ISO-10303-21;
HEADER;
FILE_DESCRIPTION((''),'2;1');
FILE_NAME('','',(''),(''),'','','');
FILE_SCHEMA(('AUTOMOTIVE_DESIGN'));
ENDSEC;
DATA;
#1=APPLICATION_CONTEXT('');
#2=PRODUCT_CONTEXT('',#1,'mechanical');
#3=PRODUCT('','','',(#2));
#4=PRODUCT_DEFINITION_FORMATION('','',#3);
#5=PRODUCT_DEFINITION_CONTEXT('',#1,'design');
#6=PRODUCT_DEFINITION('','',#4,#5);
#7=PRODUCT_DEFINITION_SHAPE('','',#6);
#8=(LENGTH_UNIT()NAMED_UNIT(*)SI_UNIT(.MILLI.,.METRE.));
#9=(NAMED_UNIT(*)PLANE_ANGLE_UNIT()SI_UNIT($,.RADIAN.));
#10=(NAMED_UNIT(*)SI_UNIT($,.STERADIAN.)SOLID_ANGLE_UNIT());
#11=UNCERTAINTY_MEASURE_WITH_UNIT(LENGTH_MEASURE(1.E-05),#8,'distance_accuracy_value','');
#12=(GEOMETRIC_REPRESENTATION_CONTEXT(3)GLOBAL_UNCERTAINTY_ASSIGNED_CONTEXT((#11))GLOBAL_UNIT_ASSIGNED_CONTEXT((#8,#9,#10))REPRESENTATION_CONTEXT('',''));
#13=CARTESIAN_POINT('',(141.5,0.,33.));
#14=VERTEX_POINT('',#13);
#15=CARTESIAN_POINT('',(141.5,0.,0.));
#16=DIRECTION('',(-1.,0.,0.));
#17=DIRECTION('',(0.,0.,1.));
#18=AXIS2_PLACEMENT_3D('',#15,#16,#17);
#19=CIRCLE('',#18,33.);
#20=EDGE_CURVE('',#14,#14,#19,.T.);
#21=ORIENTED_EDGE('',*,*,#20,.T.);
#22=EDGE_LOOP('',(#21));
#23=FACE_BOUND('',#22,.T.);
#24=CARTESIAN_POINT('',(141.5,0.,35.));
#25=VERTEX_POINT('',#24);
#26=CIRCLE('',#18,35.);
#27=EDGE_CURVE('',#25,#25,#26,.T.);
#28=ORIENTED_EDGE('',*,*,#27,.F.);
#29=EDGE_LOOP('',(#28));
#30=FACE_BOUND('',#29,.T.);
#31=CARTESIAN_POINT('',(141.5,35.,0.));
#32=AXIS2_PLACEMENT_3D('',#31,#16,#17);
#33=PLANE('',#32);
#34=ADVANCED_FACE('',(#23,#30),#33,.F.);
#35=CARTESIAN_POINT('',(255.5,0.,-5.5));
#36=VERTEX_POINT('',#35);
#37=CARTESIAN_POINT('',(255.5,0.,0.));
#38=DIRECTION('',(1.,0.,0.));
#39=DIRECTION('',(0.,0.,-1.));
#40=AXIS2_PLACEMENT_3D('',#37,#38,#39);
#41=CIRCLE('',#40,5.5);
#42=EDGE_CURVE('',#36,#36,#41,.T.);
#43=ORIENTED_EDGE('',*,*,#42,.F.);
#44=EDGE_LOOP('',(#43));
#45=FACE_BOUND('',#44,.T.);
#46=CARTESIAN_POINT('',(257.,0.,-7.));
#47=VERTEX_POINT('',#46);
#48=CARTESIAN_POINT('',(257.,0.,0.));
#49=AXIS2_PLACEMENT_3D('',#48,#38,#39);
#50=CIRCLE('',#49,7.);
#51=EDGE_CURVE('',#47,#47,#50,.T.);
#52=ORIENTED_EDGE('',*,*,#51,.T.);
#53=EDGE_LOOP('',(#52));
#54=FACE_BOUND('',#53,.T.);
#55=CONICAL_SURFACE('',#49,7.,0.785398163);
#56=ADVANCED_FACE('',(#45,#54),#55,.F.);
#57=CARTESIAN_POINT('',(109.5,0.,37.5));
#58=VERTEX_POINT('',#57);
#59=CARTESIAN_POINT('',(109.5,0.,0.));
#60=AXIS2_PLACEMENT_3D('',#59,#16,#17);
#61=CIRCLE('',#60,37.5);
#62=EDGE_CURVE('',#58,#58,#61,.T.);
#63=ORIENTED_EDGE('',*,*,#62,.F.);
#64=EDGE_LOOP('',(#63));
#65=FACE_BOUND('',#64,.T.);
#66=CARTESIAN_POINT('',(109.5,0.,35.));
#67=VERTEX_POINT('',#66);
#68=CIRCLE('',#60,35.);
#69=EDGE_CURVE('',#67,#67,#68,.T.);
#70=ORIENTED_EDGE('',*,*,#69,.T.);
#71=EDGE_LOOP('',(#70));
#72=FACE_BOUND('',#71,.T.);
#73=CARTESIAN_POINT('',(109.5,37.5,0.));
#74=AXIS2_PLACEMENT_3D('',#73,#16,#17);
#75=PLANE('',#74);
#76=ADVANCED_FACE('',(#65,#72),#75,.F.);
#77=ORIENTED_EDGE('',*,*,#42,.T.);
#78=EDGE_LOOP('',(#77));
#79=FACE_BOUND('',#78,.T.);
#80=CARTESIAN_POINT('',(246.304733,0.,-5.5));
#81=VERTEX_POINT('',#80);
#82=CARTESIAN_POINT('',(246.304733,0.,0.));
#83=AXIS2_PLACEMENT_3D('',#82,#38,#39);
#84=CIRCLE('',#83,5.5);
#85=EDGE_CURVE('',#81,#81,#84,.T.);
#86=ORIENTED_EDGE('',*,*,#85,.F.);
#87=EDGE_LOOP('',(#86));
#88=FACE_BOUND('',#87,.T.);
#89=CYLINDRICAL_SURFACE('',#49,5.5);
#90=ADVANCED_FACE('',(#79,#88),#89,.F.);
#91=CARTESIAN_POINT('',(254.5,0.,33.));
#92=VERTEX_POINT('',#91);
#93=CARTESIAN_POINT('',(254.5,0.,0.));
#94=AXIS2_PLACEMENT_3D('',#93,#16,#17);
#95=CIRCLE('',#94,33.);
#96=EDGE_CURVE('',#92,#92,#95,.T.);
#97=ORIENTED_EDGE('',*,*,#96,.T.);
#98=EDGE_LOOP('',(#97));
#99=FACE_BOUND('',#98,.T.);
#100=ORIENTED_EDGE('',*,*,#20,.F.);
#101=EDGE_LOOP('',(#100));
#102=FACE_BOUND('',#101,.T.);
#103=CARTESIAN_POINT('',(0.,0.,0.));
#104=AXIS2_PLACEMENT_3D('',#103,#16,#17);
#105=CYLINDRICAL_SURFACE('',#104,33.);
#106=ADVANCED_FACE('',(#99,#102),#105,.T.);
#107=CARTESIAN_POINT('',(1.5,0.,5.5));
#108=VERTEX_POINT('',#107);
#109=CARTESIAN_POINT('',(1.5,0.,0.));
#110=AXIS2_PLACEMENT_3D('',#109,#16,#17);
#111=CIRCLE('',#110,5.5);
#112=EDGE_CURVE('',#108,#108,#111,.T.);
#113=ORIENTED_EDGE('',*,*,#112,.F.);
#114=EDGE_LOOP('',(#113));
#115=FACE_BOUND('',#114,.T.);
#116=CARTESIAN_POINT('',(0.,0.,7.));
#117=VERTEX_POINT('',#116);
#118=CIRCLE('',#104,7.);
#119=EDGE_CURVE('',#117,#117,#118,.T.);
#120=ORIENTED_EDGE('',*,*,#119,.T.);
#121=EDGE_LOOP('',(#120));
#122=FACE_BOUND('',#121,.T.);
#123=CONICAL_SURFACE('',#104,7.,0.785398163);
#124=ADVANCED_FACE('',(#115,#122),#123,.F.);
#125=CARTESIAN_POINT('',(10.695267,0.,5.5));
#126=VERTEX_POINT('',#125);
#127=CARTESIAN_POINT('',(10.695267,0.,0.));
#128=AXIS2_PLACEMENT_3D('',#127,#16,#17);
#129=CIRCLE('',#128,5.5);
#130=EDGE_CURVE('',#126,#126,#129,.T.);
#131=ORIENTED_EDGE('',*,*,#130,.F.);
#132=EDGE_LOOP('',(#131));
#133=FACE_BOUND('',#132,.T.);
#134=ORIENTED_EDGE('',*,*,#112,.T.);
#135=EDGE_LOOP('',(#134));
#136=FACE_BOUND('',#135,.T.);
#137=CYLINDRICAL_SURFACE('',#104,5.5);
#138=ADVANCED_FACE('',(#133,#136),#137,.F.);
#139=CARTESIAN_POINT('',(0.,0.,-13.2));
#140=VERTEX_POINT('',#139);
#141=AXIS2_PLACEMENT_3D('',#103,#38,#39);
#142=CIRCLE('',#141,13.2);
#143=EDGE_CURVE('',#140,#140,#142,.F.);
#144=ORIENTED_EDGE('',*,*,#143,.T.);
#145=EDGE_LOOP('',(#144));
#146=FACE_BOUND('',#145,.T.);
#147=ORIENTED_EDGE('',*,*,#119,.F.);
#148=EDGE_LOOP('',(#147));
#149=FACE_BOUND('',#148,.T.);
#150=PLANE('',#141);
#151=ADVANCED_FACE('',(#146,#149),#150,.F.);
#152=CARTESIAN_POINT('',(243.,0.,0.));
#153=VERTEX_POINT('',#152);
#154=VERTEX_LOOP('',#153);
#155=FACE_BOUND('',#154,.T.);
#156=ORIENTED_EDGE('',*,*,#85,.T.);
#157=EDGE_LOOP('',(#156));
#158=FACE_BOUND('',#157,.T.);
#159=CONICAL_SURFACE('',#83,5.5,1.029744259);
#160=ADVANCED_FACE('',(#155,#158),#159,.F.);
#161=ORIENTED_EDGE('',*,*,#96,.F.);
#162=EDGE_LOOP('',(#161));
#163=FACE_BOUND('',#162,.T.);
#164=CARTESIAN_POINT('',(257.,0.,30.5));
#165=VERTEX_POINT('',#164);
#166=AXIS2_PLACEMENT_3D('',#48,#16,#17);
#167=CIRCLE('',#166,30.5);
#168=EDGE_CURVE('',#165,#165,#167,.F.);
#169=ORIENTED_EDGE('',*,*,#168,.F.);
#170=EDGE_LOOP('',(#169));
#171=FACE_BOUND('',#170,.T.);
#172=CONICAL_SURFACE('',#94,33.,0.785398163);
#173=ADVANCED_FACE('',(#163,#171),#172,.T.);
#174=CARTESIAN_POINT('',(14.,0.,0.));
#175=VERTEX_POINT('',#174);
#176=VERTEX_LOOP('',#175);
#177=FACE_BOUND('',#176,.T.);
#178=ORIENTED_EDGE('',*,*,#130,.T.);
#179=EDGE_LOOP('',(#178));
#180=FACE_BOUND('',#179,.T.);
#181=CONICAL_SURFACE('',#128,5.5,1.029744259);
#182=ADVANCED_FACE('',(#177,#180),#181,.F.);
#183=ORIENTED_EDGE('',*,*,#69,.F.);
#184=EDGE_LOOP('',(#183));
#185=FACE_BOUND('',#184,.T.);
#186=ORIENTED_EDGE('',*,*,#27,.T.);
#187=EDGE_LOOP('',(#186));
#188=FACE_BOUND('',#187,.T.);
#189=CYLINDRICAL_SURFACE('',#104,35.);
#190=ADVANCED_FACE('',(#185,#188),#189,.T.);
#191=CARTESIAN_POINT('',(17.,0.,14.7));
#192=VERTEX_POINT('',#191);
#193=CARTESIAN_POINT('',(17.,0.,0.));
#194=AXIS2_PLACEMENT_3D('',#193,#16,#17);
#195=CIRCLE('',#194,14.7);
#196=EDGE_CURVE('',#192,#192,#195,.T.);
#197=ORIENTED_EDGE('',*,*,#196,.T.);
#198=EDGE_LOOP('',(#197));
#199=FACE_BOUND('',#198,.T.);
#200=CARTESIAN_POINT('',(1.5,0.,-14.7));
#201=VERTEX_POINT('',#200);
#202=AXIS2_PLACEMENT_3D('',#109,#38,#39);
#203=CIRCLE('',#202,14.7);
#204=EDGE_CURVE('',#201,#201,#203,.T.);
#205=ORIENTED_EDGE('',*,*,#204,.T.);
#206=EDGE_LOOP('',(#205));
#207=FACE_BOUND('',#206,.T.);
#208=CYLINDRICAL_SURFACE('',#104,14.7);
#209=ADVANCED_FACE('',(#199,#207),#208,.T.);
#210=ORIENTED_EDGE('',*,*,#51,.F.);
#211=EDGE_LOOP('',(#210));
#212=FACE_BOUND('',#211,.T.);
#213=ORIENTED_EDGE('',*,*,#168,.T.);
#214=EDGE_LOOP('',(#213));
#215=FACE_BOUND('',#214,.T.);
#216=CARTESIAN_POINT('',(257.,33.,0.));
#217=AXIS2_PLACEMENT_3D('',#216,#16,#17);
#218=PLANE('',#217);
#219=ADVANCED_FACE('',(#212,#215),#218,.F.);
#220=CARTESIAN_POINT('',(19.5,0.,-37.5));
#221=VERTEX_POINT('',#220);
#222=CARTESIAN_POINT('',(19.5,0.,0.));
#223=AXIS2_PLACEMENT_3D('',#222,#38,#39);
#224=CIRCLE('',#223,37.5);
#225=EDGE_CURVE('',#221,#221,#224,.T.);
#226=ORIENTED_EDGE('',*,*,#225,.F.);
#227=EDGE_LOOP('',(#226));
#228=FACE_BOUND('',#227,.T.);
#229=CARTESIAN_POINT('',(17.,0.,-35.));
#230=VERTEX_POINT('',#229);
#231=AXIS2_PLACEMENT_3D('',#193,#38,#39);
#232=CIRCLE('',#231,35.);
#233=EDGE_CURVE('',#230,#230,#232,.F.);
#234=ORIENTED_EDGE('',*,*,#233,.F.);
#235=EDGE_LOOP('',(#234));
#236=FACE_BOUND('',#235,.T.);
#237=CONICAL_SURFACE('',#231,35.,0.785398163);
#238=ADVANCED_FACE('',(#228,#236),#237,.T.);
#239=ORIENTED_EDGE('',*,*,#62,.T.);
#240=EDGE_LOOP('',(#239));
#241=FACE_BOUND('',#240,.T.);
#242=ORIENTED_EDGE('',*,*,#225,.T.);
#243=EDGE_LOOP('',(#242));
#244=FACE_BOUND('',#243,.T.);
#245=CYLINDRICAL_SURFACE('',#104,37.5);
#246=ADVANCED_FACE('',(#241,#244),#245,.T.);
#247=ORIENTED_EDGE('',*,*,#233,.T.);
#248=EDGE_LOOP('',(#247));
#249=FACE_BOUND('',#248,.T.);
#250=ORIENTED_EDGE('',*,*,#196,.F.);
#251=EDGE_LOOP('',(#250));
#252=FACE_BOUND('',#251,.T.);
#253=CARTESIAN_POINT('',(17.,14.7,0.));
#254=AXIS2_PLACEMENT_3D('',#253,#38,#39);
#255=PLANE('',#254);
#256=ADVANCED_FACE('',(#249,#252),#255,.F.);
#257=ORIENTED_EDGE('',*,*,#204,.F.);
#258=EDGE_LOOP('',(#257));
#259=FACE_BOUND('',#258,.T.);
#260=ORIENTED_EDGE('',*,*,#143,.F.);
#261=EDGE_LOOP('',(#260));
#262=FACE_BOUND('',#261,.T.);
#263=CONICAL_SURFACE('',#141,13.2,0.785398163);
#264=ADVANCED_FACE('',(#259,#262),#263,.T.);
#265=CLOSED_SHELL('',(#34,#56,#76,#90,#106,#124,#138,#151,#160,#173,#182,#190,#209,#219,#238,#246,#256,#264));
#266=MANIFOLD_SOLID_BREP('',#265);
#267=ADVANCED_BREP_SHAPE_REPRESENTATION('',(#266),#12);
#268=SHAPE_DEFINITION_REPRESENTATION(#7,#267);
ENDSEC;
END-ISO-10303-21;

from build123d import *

# Parameters (mm, degrees)
CHAMFER1_SIZE                                        = 2.5
CHAMFER2_SIZE                                        = 1.5
CSK_FOR_M10_COUNTERSUNK_FLAT_HEAD_SCREW1_D           = 11
CSK_FOR_M10_COUNTERSUNK_FLAT_HEAD_SCREW1_DEPTH       = 10.695266595
CSK_FOR_M10_COUNTERSUNK_FLAT_HEAD_SCREW1_CSINK_D     = 14
CSK_FOR_M10_COUNTERSUNK_FLAT_HEAD_SCREW1_CSINK_ANGLE = 90
CSK_FOR_M10_COUNTERSUNK_FLAT_HEAD_SCREW1_TIP         = 3.304733405
CSK_FOR_M10_COUNTERSUNK_FLAT_HEAD_SCREW2_D           = 11
CSK_FOR_M10_COUNTERSUNK_FLAT_HEAD_SCREW2_DEPTH       = 10.695266595
CSK_FOR_M10_COUNTERSUNK_FLAT_HEAD_SCREW2_CSINK_D     = 14
CSK_FOR_M10_COUNTERSUNK_FLAT_HEAD_SCREW2_CSINK_ANGLE = 90
CSK_FOR_M10_COUNTERSUNK_FLAT_HEAD_SCREW2_TIP         = 3.304733405


with BuildPart() as part:
    # Sketch1 → Revolve1 (revolve)
    with BuildSketch(Plane.XY):
        Polygon((0, 0), (0, 14.7), (17, 14.7), (17, 37.5), (109.5, 37.5), (109.5, 35), (128.5, 35), (141.5, 35), (141.5, 33), (257, 33), (257, 0), align=None)
    revolve(axis=Axis((0, 0, 0), (1, 0, 0)))

    # Chamfer1
    chamfer1_edges = [part.edges().sort_by_distance(p)[0] for p in [
        (17, -37.5, 0),
        (257, -33, 0),
    ]]
    chamfer(chamfer1_edges, length=CHAMFER1_SIZE)

    # Chamfer2
    chamfer2_edges = [part.edges().sort_by_distance(p)[0] for p in [
        (0, -14.7, 0),
    ]]
    chamfer(chamfer2_edges, length=CHAMFER2_SIZE)

    # CSK for M10 Countersunk Flat Head Screw1
    with Locations(Plane.ZY):
        with Locations((0, 0)):
            CounterSinkHole(CSK_FOR_M10_COUNTERSUNK_FLAT_HEAD_SCREW1_D / 2, CSK_FOR_M10_COUNTERSUNK_FLAT_HEAD_SCREW1_CSINK_D / 2, depth=CSK_FOR_M10_COUNTERSUNK_FLAT_HEAD_SCREW1_DEPTH, counter_sink_angle=CSK_FOR_M10_COUNTERSUNK_FLAT_HEAD_SCREW1_CSINK_ANGLE)
            with Locations((0, 0, -(CSK_FOR_M10_COUNTERSUNK_FLAT_HEAD_SCREW1_DEPTH + CSK_FOR_M10_COUNTERSUNK_FLAT_HEAD_SCREW1_TIP / 2))):  # 118° drill point
                Cone(0, CSK_FOR_M10_COUNTERSUNK_FLAT_HEAD_SCREW1_D / 2, CSK_FOR_M10_COUNTERSUNK_FLAT_HEAD_SCREW1_TIP, mode=Mode.SUBTRACT)

    # CSK for M10 Countersunk Flat Head Screw2
    with Locations(Plane(origin=(257, 0, 0), x_dir=(0, 0, -1), z_dir=(1, 0, 0))):
        with Locations((0, 0)):
            CounterSinkHole(CSK_FOR_M10_COUNTERSUNK_FLAT_HEAD_SCREW2_D / 2, CSK_FOR_M10_COUNTERSUNK_FLAT_HEAD_SCREW2_CSINK_D / 2, depth=CSK_FOR_M10_COUNTERSUNK_FLAT_HEAD_SCREW2_DEPTH, counter_sink_angle=CSK_FOR_M10_COUNTERSUNK_FLAT_HEAD_SCREW2_CSINK_ANGLE)
            with Locations((0, 0, -(CSK_FOR_M10_COUNTERSUNK_FLAT_HEAD_SCREW2_DEPTH + CSK_FOR_M10_COUNTERSUNK_FLAT_HEAD_SCREW2_TIP / 2))):  # 118° drill point
                Cone(0, CSK_FOR_M10_COUNTERSUNK_FLAT_HEAD_SCREW2_D / 2, CSK_FOR_M10_COUNTERSUNK_FLAT_HEAD_SCREW2_TIP, mode=Mode.SUBTRACT)


solid = part.part
